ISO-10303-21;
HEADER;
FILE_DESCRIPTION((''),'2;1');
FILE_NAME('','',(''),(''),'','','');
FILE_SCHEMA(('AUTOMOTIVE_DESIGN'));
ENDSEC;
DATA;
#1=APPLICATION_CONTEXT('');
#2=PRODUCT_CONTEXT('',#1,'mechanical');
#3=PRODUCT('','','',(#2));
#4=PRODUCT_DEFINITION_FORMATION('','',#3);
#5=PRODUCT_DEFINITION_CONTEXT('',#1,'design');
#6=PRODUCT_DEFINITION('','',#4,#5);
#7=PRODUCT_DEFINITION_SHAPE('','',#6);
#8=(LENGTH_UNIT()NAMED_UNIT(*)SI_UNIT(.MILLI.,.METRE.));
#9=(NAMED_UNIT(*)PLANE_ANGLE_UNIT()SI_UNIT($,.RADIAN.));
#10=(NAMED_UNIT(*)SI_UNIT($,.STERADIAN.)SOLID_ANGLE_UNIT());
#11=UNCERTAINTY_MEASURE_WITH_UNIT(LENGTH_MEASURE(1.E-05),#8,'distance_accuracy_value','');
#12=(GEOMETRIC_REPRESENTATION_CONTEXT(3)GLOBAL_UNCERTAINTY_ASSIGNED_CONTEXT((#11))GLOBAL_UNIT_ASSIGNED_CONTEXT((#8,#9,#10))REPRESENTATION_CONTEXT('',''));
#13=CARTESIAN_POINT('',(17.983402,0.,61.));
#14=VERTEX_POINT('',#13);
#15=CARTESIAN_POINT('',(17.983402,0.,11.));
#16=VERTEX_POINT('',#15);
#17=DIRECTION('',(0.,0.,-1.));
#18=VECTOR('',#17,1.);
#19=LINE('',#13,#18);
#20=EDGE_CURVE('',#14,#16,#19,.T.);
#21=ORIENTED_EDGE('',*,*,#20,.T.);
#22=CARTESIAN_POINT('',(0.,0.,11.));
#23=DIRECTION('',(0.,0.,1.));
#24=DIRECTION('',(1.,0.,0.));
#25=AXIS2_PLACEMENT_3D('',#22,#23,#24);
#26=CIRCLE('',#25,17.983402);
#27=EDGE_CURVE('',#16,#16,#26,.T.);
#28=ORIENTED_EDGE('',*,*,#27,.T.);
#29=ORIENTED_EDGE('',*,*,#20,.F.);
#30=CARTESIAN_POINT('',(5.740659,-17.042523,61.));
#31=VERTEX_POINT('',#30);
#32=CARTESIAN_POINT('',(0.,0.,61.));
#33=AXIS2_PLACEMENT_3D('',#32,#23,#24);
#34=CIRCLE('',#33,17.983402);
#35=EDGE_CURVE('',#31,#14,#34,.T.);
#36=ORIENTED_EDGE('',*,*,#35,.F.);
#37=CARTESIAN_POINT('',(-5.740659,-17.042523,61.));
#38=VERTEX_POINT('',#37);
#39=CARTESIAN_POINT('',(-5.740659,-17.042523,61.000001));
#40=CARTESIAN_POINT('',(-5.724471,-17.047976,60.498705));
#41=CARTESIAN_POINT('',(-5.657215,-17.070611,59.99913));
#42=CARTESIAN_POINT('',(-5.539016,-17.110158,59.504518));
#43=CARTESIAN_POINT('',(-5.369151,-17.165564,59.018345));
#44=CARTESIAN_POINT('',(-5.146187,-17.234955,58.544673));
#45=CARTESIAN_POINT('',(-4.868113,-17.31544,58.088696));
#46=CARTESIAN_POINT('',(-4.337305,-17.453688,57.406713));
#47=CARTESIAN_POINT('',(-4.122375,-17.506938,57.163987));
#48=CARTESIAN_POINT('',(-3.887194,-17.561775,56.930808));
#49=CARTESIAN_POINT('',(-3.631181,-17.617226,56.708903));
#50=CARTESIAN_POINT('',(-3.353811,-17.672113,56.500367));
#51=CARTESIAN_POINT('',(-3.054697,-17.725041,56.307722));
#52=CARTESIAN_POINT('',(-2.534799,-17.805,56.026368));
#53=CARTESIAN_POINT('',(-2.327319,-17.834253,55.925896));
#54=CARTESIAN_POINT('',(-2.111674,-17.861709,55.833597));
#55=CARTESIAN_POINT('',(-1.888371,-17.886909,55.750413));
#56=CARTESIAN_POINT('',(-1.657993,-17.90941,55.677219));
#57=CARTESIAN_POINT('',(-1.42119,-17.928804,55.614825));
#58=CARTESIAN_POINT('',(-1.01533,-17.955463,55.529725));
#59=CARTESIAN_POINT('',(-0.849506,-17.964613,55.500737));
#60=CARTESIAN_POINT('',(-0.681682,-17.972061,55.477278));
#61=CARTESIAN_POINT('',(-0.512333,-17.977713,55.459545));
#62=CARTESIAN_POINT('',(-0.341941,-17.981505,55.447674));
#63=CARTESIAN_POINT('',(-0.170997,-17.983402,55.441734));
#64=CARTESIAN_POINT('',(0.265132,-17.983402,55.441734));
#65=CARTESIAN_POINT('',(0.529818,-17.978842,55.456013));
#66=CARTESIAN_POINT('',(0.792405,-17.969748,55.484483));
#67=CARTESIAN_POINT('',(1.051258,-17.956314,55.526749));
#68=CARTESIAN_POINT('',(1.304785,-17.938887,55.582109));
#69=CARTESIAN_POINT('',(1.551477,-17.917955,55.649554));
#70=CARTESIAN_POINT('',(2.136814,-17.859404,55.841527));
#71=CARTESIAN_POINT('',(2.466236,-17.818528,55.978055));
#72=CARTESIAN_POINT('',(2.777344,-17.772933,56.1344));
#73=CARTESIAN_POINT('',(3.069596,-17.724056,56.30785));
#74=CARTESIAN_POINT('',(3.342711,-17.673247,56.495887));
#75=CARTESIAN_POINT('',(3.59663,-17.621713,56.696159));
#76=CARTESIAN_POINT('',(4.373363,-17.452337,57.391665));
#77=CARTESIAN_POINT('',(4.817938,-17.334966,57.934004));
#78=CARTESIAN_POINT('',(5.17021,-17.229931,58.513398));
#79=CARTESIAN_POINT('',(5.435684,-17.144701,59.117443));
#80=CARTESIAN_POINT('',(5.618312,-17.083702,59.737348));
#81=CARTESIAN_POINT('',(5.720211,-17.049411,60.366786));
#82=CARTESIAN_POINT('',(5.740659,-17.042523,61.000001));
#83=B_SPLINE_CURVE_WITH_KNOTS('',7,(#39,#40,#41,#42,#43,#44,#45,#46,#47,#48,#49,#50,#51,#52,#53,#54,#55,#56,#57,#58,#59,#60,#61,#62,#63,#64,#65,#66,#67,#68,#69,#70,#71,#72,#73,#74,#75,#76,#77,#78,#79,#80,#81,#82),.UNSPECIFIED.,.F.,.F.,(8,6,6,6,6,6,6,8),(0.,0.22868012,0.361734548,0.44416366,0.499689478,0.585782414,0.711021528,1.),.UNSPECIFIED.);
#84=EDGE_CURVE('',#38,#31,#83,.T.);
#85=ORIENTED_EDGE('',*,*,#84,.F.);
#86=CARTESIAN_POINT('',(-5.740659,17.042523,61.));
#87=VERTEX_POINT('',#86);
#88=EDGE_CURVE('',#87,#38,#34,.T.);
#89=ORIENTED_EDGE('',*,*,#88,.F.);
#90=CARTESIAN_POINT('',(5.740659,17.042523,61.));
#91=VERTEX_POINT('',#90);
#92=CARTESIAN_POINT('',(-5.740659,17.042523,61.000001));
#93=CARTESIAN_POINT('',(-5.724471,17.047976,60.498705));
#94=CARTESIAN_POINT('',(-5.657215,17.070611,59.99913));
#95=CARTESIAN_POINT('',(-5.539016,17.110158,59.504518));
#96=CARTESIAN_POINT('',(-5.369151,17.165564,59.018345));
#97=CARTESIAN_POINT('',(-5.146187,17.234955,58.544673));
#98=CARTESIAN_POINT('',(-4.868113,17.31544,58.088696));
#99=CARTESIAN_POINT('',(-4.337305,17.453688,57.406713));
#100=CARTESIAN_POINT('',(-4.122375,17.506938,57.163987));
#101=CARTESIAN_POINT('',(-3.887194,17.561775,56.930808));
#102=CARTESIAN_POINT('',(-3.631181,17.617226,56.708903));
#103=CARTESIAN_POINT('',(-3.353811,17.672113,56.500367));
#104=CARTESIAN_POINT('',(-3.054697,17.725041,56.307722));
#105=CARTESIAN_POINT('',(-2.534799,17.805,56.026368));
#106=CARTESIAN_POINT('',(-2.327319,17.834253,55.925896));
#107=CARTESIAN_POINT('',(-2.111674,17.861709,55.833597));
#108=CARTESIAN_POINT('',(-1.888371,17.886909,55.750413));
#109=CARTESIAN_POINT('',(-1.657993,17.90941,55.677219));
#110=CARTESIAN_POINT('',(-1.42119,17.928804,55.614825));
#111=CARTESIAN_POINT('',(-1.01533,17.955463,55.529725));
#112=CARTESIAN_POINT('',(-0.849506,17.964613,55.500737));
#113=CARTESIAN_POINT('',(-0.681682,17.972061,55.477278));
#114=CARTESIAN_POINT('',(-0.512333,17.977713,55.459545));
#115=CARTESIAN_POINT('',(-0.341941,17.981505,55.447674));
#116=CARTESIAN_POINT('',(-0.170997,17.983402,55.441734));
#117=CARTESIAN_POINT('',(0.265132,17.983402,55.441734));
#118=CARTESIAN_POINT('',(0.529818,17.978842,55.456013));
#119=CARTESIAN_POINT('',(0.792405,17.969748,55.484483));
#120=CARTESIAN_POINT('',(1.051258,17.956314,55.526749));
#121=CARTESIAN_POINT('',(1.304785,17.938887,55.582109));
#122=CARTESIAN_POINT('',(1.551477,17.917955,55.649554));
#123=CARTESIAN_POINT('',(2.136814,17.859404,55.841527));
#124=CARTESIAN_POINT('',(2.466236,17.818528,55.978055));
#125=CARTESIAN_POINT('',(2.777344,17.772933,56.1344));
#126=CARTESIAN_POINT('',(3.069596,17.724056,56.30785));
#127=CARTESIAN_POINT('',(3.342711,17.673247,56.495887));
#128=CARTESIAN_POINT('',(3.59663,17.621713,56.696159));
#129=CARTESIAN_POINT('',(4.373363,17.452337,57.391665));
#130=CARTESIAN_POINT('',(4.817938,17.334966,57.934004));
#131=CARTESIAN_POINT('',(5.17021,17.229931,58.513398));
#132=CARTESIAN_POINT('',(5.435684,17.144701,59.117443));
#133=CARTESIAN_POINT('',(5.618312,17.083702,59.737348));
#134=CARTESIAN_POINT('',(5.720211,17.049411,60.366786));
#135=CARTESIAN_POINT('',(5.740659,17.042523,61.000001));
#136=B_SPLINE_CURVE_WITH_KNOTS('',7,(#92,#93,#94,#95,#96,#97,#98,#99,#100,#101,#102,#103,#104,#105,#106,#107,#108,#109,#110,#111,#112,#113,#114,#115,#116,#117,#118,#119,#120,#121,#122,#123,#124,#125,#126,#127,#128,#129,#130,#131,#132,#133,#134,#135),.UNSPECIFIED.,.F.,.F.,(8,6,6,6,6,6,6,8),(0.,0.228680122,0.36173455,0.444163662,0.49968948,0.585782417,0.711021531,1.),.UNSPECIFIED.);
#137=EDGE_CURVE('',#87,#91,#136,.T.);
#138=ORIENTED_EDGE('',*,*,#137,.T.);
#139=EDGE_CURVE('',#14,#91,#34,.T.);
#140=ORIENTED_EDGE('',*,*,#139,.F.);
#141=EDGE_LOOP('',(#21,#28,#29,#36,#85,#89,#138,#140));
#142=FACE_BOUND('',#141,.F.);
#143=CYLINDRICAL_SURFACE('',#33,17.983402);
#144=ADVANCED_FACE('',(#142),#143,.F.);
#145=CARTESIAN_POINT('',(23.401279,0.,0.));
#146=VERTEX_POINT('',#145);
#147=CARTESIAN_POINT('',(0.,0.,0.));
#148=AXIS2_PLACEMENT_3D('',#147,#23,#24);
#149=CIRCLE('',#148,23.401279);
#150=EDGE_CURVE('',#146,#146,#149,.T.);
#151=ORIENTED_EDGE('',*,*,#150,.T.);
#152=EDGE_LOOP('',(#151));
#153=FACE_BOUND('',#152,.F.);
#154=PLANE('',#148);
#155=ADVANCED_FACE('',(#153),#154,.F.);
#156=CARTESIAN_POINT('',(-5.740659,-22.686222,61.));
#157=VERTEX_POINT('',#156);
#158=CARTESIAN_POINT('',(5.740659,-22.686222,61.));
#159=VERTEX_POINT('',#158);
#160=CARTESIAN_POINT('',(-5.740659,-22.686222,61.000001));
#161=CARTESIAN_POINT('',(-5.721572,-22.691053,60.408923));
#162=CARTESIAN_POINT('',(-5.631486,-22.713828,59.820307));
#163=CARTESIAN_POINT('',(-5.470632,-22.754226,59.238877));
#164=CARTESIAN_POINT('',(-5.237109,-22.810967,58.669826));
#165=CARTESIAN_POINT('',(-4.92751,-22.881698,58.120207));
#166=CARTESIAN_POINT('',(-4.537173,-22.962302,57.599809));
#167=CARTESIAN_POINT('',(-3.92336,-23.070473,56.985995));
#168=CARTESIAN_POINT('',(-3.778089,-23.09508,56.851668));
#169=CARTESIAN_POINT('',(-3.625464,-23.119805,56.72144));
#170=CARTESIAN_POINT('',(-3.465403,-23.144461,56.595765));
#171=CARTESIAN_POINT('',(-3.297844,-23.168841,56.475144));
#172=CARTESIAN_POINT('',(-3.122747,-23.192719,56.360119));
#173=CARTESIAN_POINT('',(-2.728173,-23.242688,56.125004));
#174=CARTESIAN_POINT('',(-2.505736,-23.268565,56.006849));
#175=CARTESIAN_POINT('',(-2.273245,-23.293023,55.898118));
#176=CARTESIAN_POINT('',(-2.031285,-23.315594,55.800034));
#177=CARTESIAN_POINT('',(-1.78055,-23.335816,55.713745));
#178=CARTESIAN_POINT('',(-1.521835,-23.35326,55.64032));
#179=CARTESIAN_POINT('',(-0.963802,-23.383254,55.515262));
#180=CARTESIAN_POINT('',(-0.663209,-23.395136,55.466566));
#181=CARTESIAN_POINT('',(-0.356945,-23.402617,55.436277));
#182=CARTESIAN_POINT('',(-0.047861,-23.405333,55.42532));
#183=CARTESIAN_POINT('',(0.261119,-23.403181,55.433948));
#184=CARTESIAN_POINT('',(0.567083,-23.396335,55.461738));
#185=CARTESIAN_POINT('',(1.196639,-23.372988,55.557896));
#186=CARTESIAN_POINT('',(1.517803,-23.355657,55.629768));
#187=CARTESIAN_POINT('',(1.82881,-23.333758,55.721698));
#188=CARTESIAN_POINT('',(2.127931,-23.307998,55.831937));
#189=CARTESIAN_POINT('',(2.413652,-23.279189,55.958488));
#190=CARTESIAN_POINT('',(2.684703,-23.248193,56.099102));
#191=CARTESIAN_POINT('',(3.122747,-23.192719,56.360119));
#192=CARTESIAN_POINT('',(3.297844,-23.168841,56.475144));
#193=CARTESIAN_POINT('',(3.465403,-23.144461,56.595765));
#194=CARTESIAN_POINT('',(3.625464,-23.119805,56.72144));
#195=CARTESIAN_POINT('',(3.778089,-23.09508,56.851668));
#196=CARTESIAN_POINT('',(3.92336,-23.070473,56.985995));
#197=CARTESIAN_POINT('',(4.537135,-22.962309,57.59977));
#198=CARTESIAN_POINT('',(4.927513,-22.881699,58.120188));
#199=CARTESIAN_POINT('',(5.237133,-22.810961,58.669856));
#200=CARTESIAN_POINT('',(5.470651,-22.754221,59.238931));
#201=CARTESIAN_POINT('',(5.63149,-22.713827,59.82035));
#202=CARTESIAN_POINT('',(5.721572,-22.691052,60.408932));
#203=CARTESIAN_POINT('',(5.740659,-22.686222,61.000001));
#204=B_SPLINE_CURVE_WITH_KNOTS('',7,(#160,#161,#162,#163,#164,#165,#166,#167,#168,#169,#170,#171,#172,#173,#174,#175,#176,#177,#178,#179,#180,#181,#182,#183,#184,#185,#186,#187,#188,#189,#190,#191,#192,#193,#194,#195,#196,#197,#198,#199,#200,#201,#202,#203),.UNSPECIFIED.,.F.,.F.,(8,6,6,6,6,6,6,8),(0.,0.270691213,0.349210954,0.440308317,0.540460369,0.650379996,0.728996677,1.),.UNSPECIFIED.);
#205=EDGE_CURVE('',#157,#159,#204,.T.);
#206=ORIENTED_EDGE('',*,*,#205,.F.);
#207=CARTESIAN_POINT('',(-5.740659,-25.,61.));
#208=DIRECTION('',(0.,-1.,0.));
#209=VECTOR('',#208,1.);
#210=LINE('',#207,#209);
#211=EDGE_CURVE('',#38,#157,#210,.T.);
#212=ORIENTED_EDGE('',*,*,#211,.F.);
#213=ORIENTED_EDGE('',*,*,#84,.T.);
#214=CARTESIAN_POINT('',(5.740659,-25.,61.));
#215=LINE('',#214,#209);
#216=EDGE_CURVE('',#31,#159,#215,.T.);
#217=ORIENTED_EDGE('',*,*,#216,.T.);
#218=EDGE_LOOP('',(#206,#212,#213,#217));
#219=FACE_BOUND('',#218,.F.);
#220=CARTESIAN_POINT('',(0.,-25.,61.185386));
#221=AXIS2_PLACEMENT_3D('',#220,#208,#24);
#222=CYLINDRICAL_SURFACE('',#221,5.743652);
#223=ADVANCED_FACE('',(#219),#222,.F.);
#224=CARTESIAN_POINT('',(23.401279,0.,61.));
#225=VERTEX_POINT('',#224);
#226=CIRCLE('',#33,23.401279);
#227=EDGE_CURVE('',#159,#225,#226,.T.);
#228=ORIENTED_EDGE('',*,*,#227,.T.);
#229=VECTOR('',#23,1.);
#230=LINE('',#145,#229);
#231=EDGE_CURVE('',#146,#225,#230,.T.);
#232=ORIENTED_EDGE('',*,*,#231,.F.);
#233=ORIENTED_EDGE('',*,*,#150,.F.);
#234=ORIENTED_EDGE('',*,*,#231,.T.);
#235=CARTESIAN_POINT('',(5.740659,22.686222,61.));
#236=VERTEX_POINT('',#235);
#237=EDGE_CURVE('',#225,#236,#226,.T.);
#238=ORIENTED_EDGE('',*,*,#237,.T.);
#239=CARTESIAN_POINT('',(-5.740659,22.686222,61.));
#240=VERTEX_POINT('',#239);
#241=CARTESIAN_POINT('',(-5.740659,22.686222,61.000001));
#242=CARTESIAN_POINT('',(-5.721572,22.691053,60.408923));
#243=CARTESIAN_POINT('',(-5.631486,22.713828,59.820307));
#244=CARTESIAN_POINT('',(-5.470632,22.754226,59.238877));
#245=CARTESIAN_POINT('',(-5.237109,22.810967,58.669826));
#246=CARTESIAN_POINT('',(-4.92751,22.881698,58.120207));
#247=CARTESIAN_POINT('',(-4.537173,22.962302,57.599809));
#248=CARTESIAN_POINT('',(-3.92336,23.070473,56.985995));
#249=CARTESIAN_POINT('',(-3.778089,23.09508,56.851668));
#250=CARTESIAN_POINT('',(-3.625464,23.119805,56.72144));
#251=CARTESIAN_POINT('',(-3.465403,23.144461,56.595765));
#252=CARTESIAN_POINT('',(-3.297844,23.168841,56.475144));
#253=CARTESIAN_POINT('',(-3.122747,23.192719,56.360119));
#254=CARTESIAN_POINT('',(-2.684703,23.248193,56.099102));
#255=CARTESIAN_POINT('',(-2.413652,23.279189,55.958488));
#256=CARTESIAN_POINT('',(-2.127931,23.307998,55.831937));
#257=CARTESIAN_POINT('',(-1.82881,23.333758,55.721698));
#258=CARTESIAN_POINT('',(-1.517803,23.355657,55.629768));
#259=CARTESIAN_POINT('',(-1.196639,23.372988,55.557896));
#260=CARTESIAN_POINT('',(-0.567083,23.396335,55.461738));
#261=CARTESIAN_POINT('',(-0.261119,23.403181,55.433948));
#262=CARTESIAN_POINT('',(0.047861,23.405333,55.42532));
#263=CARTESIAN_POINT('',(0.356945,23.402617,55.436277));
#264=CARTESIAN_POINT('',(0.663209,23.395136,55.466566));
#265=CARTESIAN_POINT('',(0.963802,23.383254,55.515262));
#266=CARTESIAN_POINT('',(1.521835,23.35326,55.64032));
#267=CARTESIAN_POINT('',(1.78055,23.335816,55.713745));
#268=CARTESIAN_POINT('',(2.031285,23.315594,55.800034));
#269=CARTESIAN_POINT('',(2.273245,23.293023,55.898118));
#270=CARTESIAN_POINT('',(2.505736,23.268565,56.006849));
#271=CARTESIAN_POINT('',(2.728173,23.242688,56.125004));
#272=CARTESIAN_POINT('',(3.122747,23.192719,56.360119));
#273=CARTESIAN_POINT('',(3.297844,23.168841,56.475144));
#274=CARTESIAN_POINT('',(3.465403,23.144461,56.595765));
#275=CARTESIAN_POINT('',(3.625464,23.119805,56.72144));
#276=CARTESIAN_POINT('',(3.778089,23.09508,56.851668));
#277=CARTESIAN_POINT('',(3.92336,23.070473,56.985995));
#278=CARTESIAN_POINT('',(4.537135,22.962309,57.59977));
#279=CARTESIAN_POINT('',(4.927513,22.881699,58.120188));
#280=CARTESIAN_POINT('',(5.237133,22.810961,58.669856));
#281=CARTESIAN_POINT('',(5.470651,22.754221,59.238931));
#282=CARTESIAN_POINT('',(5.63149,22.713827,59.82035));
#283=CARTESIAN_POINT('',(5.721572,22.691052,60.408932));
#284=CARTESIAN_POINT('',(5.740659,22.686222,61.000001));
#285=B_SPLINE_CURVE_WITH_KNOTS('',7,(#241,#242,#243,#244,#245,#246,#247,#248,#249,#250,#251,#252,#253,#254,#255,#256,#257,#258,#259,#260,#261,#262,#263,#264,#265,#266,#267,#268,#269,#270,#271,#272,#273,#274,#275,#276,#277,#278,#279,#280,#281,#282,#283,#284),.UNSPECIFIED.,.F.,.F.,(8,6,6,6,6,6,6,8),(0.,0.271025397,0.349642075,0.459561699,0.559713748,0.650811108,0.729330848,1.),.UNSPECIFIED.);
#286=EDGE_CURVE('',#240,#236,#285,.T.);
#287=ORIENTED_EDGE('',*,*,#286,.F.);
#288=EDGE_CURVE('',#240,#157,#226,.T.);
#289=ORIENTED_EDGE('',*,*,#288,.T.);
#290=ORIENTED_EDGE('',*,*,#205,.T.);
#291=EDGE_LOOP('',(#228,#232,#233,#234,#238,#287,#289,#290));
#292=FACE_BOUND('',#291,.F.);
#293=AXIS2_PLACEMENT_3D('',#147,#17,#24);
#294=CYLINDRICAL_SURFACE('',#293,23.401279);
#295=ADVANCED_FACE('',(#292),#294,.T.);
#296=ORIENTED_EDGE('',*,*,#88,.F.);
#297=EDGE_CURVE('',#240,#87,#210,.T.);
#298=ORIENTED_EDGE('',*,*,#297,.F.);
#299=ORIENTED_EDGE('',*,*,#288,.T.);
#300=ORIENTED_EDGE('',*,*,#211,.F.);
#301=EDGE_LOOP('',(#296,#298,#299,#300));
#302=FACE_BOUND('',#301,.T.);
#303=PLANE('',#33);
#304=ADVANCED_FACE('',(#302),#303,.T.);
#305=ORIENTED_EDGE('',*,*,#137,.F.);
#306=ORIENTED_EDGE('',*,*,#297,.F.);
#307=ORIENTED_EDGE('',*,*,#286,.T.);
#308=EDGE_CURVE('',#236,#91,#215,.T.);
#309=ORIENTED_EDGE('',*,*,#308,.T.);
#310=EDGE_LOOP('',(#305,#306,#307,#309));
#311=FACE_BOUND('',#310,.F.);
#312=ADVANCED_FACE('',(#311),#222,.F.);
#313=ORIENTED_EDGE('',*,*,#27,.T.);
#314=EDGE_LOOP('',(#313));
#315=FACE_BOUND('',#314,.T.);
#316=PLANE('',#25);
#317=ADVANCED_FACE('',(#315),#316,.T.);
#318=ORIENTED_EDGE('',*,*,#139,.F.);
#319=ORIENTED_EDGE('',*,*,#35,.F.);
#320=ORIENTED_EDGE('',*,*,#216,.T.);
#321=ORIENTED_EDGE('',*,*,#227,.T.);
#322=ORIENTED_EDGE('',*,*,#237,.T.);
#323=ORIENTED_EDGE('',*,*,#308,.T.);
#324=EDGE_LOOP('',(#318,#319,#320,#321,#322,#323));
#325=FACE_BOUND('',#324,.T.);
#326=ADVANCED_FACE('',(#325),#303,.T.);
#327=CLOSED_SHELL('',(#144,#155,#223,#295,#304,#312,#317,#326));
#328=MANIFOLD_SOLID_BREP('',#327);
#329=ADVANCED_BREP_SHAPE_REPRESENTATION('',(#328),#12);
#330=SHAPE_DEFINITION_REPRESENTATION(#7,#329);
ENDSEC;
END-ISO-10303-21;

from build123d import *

# Parameters (mm, degrees)
F0_R     = 23.401279
F1_DEPTH = 61
F3_R     = 17.983402
F4_DEPTH = 50
F6_R     = 5.743652
F7_DEPTH = 63.5


with BuildPart() as f1:
    # F0 (on Top) → F1 (new body)
    with BuildSketch(Plane.XY):
        Circle(F0_R)
    extrude(amount=F1_DEPTH)

    # F3 (on offset) → F4 (cut)
    with BuildSketch(Plane.XY.offset(61)):
        Circle(F3_R)
    extrude(amount=-F4_DEPTH, mode=Mode.SUBTRACT)

    # F6 (on offset) → F7 (cut)
    with BuildSketch(Plane.XZ.offset(25)):
        with Locations((0, 61.185386)):
            Circle(F6_R)
    extrude(amount=-F7_DEPTH, mode=Mode.SUBTRACT)


solid = f1.part
